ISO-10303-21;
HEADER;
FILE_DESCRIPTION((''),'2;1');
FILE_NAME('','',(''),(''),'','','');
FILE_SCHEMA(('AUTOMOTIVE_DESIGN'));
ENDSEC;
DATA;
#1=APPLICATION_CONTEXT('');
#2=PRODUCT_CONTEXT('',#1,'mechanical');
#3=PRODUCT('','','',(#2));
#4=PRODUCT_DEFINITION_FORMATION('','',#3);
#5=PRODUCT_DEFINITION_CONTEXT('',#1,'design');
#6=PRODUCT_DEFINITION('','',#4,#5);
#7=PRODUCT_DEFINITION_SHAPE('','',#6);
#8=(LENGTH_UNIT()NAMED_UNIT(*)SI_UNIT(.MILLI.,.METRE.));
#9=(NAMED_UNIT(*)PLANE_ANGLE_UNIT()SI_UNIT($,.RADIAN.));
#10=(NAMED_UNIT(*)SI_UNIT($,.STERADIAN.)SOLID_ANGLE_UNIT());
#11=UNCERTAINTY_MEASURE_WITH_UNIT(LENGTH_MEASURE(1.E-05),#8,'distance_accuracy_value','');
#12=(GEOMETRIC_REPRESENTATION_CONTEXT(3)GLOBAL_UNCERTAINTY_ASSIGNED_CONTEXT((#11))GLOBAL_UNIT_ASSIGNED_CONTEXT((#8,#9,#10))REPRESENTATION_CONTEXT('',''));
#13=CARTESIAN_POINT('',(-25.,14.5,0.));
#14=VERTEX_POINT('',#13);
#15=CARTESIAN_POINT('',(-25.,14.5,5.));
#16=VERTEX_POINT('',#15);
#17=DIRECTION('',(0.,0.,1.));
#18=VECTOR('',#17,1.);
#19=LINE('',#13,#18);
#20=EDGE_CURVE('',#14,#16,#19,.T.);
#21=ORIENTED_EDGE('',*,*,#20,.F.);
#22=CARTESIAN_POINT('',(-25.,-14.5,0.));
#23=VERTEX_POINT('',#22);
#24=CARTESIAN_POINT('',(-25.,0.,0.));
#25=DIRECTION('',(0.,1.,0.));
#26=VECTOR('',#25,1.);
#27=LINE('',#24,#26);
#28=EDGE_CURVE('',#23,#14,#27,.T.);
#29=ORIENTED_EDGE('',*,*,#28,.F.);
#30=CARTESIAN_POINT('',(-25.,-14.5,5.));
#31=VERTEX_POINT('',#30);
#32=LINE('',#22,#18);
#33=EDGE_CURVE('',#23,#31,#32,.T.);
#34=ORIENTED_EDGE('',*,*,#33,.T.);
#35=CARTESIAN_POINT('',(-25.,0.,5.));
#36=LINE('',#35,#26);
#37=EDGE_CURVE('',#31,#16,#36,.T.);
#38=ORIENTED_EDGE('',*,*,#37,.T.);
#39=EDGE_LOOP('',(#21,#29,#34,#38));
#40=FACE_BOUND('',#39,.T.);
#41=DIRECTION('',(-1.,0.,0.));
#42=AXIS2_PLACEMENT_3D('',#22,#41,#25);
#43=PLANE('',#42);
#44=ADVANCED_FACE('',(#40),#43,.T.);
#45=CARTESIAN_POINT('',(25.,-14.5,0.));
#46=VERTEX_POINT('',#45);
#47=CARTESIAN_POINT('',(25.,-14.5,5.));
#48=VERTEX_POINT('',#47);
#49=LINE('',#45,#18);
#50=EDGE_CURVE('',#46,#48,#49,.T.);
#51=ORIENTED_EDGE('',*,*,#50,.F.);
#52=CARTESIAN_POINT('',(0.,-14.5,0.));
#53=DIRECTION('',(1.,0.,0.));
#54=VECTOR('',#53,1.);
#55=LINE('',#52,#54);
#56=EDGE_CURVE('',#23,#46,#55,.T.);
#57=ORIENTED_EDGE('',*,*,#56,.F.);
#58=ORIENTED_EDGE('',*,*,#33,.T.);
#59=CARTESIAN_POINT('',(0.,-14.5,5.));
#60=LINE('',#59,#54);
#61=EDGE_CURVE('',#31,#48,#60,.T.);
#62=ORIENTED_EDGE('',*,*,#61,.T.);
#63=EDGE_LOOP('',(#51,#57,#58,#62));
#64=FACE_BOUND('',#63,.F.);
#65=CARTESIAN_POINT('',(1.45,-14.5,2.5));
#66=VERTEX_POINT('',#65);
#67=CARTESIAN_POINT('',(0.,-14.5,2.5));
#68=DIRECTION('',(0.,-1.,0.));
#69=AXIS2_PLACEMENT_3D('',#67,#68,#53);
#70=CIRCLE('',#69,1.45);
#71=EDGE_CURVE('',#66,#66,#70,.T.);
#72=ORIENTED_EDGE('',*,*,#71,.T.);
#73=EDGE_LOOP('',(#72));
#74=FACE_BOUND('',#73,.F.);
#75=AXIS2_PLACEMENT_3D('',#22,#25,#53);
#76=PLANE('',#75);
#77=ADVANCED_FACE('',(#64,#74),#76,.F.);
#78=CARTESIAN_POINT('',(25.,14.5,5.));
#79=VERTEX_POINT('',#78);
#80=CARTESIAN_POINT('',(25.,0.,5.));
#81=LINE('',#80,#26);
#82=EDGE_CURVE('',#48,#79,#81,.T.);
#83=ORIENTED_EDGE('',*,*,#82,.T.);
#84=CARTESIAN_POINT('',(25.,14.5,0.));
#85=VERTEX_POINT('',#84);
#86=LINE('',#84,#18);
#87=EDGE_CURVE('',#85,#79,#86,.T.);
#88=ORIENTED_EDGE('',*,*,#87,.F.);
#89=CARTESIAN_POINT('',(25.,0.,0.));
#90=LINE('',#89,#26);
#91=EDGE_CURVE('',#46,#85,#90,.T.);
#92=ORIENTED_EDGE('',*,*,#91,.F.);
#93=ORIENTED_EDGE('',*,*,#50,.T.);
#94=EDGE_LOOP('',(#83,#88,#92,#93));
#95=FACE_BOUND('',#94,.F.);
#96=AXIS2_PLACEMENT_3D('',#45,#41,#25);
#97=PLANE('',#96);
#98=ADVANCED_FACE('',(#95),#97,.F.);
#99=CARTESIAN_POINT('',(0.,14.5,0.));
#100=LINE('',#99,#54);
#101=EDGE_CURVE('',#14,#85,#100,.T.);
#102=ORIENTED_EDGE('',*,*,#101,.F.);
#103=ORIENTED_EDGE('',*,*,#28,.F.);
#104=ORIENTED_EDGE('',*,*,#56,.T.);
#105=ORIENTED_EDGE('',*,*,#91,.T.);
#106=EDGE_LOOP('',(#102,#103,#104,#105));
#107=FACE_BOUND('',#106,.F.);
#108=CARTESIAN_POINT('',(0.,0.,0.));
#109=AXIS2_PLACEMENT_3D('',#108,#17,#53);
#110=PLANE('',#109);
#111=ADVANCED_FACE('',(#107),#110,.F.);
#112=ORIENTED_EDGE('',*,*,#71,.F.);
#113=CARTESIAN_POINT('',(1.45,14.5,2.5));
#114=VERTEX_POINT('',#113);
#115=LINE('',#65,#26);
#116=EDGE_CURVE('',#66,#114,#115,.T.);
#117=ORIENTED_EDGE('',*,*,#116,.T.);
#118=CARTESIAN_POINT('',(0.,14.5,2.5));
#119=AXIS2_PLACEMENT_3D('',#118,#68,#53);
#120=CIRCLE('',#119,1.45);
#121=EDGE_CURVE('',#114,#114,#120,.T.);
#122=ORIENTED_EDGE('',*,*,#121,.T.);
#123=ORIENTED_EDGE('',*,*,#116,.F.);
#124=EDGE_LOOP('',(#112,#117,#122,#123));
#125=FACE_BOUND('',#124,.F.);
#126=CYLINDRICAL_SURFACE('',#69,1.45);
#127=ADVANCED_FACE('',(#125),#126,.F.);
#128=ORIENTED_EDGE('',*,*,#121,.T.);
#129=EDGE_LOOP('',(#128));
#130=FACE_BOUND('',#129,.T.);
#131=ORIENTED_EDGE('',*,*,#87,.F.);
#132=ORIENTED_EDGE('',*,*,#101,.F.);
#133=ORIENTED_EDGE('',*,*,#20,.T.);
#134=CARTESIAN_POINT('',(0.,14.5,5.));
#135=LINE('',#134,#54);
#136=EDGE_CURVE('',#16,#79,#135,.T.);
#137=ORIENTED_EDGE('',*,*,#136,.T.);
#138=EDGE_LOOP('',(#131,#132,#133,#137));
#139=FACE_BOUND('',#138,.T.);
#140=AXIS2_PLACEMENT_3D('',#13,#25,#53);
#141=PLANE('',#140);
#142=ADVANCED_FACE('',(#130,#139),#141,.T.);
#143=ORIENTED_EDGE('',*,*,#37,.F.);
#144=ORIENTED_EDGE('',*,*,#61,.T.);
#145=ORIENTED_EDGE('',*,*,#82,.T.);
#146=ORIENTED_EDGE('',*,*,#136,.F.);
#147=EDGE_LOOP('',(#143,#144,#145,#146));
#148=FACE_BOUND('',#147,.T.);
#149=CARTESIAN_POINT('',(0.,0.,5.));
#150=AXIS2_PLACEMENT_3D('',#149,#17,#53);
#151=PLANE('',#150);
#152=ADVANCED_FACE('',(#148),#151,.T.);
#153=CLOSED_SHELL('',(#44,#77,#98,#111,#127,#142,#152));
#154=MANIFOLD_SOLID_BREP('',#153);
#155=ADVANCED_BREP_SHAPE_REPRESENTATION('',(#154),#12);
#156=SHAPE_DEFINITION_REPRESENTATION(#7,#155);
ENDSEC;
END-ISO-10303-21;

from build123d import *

# Parameters (mm, degrees)
F0_W     = 50
F0_H     = 29
F1_DEPTH = 5
F2_R     = 1.45
F3_DEPTH = 38.6


with BuildPart() as f1:
    # F0 (on Top) → F1 (new body)
    with BuildSketch(Plane.XY):
        Rectangle(F0_W, F0_H)
    extrude(amount=F1_DEPTH)

    # F2 (on face) → F3 (cut)
    with BuildSketch(Plane.XZ.offset(14.5)):
        with Locations((0, 2.5)):
            Circle(F2_R)
    extrude(amount=-F3_DEPTH, mode=Mode.SUBTRACT)


solid = f1.part
